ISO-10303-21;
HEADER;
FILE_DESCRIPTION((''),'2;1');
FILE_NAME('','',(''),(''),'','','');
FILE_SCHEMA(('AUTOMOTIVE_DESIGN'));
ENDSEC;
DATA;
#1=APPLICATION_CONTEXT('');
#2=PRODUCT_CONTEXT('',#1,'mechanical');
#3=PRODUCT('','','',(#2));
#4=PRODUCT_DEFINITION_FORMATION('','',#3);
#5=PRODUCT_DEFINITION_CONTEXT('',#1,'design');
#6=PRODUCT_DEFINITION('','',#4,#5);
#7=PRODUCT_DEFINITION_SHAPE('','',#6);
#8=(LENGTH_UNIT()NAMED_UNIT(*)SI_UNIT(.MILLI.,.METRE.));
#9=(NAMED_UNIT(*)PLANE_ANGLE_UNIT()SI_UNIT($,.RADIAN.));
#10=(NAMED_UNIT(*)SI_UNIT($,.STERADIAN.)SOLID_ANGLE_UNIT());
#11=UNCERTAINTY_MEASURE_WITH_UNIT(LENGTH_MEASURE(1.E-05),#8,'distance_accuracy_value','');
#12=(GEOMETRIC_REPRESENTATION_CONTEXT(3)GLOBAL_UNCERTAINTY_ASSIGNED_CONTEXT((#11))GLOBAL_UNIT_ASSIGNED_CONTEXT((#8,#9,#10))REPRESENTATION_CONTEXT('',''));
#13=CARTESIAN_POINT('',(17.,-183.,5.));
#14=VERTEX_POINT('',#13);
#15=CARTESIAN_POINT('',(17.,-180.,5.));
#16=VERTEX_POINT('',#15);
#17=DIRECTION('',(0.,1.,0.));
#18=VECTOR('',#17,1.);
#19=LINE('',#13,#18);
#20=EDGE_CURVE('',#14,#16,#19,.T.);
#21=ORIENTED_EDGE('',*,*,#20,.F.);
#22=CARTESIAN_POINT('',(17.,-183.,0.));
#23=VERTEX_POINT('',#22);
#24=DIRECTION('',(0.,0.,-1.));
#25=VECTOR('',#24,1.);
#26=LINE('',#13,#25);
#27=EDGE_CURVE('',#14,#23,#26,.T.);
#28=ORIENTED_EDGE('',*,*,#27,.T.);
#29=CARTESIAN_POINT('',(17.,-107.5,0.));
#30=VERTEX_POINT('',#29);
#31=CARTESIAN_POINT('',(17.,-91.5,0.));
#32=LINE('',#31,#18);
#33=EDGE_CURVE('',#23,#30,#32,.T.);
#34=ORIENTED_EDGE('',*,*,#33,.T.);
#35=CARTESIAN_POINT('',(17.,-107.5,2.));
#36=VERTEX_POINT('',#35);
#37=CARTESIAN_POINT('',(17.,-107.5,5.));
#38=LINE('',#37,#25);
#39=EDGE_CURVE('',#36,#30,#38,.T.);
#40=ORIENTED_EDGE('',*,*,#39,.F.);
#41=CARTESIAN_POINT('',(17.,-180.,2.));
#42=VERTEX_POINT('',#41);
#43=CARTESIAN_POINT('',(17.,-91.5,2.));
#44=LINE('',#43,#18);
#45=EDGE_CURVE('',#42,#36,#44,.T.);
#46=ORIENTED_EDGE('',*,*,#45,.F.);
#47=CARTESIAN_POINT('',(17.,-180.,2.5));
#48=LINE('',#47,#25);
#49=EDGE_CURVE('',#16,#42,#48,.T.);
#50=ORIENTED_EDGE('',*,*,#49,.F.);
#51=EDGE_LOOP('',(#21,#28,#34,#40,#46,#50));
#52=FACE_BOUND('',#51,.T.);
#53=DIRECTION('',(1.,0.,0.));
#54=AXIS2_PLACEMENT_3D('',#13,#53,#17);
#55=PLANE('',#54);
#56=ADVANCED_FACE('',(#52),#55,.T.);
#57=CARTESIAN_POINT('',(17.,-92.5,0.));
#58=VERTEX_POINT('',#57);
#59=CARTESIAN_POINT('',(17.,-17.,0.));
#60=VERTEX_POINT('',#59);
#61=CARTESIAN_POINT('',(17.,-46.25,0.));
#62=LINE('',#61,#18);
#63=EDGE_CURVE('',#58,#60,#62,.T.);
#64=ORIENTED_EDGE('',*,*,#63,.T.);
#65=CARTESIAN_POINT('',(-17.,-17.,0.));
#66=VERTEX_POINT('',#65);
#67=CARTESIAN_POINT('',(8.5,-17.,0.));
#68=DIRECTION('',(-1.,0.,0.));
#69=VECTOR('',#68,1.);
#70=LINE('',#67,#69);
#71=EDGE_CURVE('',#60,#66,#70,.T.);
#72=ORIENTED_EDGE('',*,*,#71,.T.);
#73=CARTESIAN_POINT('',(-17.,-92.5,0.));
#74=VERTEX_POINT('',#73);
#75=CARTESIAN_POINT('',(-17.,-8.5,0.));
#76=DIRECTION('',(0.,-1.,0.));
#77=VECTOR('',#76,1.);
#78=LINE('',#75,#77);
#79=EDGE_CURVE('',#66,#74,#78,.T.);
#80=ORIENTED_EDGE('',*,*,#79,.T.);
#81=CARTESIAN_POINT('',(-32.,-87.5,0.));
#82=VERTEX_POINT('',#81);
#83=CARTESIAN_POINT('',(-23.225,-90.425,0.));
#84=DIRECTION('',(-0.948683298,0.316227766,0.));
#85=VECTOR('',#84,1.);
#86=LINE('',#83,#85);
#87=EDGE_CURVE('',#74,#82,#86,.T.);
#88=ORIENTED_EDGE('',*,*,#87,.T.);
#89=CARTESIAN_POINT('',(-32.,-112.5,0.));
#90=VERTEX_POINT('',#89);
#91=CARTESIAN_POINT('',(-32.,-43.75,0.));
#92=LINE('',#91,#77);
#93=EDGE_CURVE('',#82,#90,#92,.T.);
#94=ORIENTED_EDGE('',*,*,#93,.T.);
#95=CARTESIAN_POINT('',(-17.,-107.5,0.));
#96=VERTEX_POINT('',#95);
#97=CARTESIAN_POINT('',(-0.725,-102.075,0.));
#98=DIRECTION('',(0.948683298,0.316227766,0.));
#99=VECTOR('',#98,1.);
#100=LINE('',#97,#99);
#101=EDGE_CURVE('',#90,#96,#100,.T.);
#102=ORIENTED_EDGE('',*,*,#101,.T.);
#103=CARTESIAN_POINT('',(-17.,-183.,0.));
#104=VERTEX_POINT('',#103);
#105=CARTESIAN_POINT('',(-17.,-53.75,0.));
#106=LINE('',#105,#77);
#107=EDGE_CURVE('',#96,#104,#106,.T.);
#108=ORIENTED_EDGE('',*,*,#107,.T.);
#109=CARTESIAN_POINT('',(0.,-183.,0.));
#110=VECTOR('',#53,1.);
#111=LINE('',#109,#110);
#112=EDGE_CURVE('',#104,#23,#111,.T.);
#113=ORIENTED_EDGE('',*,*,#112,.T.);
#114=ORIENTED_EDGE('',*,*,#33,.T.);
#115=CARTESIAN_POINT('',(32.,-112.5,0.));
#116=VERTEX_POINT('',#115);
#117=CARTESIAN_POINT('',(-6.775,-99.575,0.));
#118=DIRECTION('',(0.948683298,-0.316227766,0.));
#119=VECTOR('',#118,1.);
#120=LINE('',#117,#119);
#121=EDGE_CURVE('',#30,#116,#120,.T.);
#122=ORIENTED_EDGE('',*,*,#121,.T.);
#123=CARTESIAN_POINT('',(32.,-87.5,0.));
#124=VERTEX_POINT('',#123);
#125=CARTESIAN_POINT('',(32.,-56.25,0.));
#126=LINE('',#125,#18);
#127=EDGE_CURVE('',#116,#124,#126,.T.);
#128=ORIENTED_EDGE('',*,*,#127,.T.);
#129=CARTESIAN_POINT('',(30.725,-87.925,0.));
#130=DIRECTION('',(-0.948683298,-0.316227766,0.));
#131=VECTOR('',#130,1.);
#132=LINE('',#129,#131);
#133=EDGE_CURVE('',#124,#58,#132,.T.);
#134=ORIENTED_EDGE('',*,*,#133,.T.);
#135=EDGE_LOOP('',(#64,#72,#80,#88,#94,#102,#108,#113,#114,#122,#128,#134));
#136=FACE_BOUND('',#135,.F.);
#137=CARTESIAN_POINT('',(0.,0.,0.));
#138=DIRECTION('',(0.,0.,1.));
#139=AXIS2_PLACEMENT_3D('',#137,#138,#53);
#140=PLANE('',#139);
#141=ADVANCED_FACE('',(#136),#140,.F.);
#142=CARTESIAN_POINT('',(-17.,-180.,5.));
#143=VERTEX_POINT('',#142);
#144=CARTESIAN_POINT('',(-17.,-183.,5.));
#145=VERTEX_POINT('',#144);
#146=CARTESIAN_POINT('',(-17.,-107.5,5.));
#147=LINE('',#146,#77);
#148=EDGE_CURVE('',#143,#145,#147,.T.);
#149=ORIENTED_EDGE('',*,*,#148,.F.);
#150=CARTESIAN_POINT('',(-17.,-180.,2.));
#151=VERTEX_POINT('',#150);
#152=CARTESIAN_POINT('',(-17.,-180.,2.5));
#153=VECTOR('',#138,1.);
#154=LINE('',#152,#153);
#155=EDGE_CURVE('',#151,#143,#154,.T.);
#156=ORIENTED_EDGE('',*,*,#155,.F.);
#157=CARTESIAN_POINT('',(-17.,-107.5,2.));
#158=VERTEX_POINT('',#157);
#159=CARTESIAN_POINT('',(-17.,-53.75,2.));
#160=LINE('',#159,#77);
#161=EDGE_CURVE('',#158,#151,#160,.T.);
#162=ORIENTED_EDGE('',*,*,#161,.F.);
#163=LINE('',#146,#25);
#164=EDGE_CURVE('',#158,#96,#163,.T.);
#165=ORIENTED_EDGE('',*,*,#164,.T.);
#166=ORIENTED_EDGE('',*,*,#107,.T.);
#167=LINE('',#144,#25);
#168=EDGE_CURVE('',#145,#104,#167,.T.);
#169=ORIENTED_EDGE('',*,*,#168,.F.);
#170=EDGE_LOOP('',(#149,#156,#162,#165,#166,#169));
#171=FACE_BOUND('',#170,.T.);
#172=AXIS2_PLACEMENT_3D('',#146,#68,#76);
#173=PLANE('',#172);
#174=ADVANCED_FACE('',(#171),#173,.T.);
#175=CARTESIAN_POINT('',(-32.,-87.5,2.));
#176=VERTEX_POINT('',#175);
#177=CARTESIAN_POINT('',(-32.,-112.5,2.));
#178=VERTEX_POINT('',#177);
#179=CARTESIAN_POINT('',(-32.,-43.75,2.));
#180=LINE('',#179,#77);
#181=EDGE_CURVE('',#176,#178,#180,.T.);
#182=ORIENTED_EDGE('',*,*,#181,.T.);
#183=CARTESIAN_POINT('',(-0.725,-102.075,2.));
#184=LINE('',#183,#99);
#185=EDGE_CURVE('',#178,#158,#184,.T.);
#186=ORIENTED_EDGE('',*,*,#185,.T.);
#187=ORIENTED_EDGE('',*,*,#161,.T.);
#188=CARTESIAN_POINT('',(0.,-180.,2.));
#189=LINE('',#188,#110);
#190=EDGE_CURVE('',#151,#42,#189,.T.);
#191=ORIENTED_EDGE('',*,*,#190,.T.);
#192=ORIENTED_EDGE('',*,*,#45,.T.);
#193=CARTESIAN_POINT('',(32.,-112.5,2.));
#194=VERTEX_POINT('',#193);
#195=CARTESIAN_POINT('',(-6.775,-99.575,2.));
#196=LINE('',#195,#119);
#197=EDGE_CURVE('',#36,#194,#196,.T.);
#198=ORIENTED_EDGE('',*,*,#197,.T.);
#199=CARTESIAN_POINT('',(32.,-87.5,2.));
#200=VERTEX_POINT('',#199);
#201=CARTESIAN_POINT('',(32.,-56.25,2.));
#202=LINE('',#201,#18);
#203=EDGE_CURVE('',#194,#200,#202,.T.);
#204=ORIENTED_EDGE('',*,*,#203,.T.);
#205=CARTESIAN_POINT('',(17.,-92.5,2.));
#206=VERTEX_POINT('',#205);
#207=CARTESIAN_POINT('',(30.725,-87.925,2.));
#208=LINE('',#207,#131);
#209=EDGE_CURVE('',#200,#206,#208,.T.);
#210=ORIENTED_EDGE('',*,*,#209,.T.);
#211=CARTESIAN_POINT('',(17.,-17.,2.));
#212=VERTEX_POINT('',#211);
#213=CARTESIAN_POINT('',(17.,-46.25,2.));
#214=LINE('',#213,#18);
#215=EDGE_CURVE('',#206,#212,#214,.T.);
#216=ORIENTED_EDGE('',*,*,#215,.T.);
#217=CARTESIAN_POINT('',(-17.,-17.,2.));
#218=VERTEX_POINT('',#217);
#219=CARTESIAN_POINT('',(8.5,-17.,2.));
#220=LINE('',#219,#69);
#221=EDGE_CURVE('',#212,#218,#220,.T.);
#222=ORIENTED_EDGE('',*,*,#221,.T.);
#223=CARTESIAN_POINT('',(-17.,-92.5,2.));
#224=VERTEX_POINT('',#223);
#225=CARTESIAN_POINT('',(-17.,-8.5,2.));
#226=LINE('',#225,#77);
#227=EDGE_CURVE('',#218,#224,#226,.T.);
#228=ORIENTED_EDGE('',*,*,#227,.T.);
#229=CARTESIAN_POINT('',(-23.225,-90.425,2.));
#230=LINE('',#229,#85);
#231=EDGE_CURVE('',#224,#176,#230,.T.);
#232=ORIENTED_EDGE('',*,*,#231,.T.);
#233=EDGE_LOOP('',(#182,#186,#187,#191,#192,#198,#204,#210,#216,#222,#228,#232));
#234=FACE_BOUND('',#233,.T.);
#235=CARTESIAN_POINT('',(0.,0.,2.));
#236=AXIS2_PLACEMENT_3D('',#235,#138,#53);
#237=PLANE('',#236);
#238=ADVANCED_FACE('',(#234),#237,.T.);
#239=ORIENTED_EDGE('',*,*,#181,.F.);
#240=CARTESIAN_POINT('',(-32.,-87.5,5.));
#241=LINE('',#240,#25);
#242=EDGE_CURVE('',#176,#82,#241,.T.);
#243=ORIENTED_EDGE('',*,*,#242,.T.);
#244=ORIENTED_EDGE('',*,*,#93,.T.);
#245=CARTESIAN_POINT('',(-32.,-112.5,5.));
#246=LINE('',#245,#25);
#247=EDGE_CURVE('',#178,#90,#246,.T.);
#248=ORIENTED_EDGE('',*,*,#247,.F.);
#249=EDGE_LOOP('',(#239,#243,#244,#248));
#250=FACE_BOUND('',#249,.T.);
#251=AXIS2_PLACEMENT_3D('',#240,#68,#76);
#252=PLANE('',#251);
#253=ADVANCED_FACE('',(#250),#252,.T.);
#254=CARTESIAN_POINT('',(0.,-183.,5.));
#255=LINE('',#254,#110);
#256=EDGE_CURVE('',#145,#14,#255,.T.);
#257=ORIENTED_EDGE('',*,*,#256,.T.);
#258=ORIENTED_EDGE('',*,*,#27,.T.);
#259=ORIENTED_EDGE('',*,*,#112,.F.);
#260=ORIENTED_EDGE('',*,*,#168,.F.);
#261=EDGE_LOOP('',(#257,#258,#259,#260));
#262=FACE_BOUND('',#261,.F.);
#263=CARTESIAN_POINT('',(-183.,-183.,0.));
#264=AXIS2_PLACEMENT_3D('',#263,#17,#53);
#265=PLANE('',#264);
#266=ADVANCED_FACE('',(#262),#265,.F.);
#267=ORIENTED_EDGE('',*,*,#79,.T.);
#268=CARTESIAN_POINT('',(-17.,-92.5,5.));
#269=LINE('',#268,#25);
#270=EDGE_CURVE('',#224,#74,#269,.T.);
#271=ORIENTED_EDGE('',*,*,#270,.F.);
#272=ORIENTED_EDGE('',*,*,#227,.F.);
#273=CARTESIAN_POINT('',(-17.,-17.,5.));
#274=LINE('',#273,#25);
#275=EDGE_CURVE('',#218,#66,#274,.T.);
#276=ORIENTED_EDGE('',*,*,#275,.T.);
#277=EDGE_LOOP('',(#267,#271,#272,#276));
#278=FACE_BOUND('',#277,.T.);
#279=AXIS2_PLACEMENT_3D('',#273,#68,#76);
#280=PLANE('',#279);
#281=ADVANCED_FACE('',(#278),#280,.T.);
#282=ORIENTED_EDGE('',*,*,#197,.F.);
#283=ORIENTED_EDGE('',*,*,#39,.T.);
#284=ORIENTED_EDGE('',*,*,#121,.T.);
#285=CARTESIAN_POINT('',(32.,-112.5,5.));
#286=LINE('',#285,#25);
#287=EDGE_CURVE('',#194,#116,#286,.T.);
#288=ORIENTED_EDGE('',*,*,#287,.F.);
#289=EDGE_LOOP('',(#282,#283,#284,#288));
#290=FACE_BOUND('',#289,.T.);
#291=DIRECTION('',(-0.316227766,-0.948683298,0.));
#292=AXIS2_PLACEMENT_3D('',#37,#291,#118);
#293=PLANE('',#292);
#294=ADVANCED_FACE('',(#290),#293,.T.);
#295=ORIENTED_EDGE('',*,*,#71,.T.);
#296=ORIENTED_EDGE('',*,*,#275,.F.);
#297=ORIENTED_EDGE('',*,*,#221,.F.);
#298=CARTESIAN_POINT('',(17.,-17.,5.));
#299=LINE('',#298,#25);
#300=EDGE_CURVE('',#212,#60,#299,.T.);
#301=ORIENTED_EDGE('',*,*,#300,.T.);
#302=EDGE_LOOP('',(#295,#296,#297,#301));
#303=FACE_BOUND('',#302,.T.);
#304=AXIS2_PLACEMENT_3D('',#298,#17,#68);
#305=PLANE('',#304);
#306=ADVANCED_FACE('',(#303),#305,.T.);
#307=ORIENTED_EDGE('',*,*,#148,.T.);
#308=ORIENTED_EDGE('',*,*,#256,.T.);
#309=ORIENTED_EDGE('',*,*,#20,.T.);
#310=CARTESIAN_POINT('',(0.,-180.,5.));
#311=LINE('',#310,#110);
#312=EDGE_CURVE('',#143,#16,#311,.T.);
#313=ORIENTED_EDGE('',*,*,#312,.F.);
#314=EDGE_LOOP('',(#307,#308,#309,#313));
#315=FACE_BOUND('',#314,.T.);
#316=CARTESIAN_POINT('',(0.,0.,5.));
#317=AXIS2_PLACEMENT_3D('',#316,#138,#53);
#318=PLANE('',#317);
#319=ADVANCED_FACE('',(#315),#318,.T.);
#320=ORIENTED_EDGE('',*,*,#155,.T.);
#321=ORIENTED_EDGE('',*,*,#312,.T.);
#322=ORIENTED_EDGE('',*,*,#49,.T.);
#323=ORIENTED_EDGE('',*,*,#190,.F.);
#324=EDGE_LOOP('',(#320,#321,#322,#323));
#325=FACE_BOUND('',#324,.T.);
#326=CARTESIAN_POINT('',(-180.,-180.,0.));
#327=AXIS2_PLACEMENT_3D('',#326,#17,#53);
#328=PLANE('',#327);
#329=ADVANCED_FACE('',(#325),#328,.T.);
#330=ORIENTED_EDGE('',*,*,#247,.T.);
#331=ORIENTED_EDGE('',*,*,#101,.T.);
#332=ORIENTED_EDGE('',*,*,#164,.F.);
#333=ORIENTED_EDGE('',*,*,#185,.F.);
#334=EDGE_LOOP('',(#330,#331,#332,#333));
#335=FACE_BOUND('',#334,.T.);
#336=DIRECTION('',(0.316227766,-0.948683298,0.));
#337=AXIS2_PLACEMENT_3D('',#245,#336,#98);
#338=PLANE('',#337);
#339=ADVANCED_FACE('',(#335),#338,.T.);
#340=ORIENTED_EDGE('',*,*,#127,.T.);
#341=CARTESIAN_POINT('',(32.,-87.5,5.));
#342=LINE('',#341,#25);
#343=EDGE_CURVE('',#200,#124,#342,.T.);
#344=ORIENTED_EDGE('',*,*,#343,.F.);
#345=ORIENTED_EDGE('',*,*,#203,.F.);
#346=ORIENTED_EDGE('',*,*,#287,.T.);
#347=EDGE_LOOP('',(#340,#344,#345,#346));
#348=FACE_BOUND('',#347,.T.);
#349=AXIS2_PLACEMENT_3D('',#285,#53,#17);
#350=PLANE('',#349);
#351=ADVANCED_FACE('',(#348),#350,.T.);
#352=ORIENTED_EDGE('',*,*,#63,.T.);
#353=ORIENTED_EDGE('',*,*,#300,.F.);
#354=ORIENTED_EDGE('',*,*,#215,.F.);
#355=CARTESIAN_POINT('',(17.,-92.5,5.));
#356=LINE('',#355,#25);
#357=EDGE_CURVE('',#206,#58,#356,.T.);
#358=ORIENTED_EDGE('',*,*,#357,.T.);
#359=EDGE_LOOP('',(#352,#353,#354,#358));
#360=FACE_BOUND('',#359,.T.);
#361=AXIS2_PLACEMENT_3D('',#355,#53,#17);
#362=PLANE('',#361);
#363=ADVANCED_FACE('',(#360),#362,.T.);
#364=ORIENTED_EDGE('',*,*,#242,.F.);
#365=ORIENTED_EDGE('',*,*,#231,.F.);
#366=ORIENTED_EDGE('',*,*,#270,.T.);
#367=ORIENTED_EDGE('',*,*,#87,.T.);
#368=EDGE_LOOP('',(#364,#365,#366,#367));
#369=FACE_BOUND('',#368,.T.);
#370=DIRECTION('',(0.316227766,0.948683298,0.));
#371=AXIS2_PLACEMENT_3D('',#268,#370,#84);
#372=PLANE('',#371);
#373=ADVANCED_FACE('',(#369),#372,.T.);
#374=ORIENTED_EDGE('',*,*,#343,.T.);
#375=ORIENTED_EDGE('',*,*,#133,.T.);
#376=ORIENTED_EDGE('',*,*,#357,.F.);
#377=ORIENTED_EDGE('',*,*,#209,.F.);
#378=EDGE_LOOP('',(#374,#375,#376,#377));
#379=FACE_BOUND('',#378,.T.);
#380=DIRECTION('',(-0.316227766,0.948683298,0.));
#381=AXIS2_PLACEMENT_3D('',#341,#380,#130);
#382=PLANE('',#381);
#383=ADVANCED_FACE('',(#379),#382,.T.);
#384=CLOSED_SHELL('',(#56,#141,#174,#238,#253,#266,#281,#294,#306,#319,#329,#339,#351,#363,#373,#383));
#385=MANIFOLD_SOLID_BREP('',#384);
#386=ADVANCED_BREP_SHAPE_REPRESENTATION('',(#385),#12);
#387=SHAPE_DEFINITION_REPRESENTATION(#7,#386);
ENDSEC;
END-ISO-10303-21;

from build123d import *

# Parameters (mm, degrees)
F0_W     = 360
F0_H     = 360
F1_DEPTH = 2
F0_W_2   = 366
F0_H_2   = 366
F2_DEPTH = 5
F3_W     = 34
F3_H     = 3
F4_DEPTH = 25


with BuildPart() as f1:
    # F0 (on Top) → F1 (new body)
    with BuildSketch(Plane.XY):
        Rectangle(F0_W, F0_H)
    extrude(amount=F1_DEPTH)

    # F0 (on Top) → F2 (join)
    with BuildSketch(Plane.XY):
        Rectangle(F0_W_2, F0_H_2)
        Rectangle(F0_W, F0_H, mode=Mode.SUBTRACT)
    extrude(amount=F2_DEPTH)

    # F3 (on face) → F4 (intersect)
    with BuildSketch(Plane.XY.offset(5)):
        Polygon((17, -92.5), (17, -17), (-17, -17), (-17, -92.5), (-32, -87.5), (-32, -112.5), (-17, -107.5), (-17, -180), (17, -180), (17, -107.5), (32, -112.5), (32, -87.5), align=None)
        with Locations((0, -181.5)):
            Rectangle(F3_W, F3_H)
    extrude(amount=-F4_DEPTH, mode=Mode.INTERSECT)


solid = f1.part
